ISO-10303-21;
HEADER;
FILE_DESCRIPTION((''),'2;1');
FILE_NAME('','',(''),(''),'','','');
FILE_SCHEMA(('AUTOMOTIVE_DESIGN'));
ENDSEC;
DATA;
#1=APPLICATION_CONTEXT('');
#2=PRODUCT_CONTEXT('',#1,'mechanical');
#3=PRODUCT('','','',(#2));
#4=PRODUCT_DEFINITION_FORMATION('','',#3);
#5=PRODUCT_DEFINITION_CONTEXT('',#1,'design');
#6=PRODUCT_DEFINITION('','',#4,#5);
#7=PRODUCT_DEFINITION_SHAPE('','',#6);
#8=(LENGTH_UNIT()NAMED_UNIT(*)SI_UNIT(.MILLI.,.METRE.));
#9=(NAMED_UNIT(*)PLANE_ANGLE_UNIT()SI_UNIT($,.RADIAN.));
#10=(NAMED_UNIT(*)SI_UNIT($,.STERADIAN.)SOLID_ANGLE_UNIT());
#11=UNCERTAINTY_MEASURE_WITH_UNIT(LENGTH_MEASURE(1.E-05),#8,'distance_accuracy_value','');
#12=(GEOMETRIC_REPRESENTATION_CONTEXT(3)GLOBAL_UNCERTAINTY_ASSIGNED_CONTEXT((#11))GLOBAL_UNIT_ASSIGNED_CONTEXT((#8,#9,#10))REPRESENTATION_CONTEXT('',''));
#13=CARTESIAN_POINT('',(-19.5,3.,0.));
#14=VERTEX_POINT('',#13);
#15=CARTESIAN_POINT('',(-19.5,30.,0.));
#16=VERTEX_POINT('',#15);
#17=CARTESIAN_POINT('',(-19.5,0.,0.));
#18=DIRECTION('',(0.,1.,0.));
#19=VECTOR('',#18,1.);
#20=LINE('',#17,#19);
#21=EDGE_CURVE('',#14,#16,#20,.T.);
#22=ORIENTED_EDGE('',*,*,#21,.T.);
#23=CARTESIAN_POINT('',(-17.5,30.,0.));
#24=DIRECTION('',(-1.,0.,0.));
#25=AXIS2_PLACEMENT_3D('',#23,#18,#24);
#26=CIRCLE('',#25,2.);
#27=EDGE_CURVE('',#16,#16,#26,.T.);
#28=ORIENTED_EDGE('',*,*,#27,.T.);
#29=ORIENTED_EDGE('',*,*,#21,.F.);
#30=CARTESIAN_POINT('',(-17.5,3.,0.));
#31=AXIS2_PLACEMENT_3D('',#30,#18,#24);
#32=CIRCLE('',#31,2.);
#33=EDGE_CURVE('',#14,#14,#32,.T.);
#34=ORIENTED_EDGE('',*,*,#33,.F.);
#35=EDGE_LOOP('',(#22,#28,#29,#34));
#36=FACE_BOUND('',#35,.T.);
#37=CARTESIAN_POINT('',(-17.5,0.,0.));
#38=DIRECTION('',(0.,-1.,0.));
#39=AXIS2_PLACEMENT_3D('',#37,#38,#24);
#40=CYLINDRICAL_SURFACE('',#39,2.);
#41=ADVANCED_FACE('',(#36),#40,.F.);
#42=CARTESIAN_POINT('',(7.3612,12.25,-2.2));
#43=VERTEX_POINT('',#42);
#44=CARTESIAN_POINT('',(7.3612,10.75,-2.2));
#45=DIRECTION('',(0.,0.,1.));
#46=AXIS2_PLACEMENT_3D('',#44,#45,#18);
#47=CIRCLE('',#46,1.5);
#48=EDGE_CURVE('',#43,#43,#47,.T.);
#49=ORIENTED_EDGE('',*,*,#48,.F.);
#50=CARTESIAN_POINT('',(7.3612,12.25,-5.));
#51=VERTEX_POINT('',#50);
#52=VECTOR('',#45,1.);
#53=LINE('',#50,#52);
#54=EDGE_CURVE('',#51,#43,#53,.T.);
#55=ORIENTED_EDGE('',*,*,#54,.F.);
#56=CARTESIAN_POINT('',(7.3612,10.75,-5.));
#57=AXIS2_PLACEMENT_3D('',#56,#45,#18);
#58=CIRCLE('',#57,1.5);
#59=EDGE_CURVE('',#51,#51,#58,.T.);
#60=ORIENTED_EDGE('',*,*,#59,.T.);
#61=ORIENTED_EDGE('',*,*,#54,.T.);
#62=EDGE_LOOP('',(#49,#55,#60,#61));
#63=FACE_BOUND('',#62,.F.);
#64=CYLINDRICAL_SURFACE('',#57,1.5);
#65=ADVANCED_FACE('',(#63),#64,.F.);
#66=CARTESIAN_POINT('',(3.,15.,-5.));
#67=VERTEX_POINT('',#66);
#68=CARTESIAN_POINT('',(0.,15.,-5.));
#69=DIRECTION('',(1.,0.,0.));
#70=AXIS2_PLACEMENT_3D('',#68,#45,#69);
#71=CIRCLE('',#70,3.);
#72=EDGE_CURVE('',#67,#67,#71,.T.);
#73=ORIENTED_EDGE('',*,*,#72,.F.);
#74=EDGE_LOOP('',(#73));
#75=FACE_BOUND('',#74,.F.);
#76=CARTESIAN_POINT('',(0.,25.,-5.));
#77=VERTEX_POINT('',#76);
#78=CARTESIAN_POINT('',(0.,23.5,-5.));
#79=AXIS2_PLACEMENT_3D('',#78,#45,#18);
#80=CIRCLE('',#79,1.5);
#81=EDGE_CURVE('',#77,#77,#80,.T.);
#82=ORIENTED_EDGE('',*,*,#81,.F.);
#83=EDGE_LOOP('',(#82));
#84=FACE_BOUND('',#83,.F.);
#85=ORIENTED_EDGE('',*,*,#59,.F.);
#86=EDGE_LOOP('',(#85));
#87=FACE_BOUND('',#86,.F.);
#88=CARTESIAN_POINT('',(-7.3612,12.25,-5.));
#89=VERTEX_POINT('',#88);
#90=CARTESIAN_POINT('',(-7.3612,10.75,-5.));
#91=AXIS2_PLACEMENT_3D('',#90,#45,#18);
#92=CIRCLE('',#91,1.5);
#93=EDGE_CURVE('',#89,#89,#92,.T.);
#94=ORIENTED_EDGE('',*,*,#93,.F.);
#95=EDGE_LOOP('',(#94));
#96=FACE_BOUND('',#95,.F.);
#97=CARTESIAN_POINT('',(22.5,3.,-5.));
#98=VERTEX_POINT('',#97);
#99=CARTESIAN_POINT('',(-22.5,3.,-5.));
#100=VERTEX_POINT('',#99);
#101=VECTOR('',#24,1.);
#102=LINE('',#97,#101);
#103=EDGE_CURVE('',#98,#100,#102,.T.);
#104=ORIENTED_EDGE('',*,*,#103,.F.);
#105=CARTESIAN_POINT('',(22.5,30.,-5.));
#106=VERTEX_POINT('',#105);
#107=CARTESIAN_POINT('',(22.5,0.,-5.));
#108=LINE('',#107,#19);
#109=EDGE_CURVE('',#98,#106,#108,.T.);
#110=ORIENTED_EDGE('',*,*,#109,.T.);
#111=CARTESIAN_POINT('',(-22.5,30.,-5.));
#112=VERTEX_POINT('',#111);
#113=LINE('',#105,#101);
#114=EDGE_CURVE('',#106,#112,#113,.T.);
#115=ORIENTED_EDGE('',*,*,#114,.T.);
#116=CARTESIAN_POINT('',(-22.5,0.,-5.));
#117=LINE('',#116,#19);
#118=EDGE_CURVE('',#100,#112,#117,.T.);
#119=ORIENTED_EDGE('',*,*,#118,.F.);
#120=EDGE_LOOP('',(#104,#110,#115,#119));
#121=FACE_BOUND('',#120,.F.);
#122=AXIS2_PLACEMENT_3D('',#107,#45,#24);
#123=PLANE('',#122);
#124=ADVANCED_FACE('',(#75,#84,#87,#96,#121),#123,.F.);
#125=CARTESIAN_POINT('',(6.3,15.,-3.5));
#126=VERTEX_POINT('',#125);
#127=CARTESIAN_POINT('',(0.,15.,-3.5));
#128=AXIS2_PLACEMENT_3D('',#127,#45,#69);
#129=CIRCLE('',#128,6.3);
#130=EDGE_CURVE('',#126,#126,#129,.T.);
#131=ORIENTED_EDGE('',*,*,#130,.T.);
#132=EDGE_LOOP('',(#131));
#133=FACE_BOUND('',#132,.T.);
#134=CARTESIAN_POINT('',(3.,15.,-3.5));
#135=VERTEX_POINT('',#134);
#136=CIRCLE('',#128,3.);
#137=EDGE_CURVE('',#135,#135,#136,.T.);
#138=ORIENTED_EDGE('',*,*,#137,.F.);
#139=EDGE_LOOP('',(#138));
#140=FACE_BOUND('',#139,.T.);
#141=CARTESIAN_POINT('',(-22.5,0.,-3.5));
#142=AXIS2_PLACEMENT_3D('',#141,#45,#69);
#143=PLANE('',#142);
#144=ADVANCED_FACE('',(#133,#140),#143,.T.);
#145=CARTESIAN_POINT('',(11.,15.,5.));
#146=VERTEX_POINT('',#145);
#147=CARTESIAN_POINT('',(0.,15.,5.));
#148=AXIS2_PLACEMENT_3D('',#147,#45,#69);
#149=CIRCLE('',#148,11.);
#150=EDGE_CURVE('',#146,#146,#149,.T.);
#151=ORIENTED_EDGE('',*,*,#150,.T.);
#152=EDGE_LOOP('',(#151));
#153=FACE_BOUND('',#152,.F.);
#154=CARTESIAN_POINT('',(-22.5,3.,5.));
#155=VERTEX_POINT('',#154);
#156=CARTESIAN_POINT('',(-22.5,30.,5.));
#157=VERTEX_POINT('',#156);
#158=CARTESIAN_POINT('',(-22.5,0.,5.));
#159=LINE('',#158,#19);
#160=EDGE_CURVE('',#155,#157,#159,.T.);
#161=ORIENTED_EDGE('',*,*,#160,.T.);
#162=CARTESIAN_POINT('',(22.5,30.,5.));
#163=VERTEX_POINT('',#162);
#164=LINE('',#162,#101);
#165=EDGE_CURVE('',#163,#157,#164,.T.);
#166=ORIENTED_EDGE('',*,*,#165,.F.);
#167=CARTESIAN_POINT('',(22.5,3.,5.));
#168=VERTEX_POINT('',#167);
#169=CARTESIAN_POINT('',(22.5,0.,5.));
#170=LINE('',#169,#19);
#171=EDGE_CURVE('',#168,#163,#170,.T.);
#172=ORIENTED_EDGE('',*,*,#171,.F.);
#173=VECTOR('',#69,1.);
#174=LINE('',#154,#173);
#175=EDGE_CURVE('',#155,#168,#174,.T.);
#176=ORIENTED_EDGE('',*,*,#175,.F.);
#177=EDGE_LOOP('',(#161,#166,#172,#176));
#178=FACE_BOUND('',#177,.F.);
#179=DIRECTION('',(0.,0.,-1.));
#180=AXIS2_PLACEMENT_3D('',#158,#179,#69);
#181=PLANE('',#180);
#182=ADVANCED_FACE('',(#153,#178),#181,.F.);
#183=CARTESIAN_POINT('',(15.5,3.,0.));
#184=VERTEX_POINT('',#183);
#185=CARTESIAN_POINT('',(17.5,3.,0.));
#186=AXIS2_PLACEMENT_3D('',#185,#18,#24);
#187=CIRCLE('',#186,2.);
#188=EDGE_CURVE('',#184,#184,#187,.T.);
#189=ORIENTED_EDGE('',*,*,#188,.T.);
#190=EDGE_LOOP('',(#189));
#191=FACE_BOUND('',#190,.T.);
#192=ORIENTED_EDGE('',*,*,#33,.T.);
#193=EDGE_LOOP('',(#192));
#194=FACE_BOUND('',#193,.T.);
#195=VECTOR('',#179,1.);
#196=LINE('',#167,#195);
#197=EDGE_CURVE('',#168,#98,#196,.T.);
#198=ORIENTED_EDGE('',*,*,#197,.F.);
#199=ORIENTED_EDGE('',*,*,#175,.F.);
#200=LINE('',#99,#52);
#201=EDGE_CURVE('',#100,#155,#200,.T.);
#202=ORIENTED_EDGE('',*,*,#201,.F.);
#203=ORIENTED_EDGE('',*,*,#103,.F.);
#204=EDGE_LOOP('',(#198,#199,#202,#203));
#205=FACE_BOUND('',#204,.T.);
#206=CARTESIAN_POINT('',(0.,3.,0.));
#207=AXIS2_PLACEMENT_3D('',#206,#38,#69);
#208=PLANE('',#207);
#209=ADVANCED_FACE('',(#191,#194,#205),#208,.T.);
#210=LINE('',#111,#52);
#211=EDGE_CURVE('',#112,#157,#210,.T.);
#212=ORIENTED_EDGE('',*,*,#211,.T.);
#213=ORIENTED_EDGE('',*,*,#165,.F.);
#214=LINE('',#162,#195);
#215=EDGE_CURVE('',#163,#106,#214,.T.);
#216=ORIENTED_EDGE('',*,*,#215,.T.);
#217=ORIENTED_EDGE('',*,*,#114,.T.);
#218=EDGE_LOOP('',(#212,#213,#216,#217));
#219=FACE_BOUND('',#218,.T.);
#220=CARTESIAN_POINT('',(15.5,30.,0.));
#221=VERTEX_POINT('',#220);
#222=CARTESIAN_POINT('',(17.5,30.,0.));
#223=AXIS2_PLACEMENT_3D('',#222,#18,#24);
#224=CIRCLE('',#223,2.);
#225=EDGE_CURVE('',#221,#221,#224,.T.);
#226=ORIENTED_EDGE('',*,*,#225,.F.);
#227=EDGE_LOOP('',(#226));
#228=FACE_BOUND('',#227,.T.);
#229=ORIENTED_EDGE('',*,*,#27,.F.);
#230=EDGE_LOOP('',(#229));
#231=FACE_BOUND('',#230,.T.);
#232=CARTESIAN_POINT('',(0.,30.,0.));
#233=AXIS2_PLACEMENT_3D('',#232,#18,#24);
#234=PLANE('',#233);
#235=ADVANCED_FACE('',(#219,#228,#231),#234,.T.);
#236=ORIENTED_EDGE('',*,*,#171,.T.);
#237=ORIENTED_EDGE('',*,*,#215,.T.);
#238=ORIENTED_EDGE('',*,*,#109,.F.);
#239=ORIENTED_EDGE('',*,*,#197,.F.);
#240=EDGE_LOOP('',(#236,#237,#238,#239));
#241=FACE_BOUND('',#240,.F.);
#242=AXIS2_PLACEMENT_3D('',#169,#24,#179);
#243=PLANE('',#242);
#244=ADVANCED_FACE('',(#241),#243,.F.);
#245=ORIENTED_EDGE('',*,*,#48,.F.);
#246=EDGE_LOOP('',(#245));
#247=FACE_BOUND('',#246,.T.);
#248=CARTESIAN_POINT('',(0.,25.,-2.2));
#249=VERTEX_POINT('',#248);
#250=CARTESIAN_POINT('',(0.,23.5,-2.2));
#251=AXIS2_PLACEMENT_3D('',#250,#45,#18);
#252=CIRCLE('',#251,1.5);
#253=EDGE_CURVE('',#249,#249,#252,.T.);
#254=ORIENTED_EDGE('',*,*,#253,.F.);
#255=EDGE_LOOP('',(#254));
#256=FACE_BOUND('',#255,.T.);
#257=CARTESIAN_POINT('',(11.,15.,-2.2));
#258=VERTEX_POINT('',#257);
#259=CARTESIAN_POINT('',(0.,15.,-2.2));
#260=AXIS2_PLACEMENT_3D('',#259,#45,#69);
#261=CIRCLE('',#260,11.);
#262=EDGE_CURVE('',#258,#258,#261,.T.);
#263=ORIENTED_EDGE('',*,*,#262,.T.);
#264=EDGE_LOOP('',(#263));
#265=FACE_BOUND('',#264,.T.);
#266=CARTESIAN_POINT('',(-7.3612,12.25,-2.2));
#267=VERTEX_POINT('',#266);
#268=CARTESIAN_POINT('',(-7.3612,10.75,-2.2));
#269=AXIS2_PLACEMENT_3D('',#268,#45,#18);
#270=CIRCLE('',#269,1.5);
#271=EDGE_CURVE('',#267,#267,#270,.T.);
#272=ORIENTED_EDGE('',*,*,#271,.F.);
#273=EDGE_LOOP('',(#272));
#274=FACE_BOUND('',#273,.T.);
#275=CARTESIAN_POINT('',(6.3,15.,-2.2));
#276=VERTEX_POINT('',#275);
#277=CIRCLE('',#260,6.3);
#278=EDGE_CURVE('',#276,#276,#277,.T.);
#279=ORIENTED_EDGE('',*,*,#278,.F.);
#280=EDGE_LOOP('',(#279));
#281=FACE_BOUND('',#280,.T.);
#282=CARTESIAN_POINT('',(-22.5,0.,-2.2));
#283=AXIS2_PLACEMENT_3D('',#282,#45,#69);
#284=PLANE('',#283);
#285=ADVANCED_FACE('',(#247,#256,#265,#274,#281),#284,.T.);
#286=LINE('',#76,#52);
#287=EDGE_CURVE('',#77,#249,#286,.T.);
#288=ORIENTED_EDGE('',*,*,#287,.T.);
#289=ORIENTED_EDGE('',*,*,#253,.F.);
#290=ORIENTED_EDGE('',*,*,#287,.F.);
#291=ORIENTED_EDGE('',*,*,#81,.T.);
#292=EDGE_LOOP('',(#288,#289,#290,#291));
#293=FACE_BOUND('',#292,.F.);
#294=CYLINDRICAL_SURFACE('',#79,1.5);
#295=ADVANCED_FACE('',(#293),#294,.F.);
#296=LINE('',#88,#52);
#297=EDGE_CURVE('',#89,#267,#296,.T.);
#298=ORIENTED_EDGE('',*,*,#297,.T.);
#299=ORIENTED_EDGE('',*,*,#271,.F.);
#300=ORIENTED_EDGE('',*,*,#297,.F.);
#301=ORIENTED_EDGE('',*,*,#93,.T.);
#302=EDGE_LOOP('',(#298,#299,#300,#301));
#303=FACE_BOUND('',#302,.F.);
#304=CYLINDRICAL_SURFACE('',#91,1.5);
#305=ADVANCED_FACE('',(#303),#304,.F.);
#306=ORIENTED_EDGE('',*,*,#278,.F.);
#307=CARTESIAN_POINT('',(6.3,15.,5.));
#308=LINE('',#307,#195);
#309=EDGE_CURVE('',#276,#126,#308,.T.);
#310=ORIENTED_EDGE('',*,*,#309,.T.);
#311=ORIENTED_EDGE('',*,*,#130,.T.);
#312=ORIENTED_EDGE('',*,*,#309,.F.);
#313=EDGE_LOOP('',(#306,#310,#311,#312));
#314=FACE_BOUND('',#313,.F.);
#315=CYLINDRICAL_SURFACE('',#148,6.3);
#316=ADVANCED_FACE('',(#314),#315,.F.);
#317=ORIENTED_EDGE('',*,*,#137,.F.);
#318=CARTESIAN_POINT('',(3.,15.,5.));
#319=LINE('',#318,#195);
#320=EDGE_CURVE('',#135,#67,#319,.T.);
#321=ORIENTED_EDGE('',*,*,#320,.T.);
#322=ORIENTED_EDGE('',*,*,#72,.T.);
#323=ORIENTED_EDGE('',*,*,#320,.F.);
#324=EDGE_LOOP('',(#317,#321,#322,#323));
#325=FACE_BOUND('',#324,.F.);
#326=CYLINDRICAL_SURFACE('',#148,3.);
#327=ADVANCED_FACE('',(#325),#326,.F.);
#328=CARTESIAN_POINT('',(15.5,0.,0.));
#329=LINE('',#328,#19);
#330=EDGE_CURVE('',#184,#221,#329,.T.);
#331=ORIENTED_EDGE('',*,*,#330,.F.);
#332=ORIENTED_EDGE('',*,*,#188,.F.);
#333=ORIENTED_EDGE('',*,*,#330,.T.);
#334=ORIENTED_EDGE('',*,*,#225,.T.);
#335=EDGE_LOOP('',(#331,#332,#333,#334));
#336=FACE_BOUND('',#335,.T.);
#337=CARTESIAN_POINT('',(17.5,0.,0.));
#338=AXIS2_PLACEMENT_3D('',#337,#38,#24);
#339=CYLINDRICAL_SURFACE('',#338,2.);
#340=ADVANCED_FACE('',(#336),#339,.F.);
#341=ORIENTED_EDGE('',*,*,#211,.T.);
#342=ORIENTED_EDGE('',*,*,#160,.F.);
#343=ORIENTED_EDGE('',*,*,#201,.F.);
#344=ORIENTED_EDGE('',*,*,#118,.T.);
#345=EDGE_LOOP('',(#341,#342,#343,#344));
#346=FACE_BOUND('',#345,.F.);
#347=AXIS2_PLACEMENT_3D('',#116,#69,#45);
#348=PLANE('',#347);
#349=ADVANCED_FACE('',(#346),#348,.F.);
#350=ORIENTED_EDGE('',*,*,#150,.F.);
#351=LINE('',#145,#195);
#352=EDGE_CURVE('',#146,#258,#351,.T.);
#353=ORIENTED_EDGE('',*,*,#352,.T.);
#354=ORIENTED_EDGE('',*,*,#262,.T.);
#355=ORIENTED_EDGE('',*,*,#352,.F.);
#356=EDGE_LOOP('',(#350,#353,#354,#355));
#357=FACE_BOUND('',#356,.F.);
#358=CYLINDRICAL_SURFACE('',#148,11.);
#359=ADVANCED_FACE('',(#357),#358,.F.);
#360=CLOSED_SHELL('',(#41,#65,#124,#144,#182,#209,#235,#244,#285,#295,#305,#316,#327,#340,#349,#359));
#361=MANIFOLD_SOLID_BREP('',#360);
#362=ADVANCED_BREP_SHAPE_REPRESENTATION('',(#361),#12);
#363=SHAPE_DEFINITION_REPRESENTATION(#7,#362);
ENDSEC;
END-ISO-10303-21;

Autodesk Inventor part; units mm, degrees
ref_plane "YZ Plane" through (0, 0, 0) normal (1, 0, 0) x (0, 1, 0)
ref_plane "XZ Plane" through (0, 0, 0) normal (0, 1, 0) x (-1, 0, 0)
ref_plane "XY Plane" through (0, 0, 0) normal (0, 0, 1) x (1, 0, 0)
sketch "Sketch1" plane through (0, 0, 0) normal (0, 1, 0) x (-1, 0, 0)
  line L0 (22.5, 5) -> (-22.5, 5)
  line L1 (-22.5, 5) -> (-22.5, -5)
  line L2 (-22.5, -5) -> (22.5, -5)
  line L3 (22.5, -5) -> (22.5, 5)
  line L4 (22.5, 5) -> (-22.5, -5) construction
  line L5 (-22.5, 5) -> (22.5, -5) construction
  line L6 (0, 0) -> (17.5, 0) construction
  line L7 (0, 0) -> (-17.5, 0) construction
  circle A0 centre (17.5, 0) radius 2
  circle A1 centre (-17.5, 0) radius 2
  line L8 (22.5, 5) -> (17.5, 5)
  line L9 (17.5, 5) -> (17.5, 0) construction
  dimension "d0" = 45
  dimension "d1" = 10
  dimension "d2" = 17.5
  dimension "d3" = 17.5
  dimension "d4" = 4
  dimension "d5" = 4
extrude "Extrusion1" add sketch "Sketch1" along normal blind 30
sketch "Sketch2" plane through (0, 0, 0) normal (0, -1, 0) x (1, 0, 0)
  line L0 (-22.5, -5) -> (-22.5, 5) projected
  line L1 (22.5, -5) -> (-22.5, -5) projected
  line L2 (-22.5, 5) -> (22.5, 5)
  line L3 (22.5, 5) -> (22.5, -5)
  line L4 (22.5, -5) -> (-22.5, -5)
  line L5 (-22.5, -5) -> (-22.5, 5)
  circle A0 centre (-17.5, 0) radius 2 projected
  circle A1 centre (-17.5, 0) radius 1.6
  circle A2 centre (17.5, 0) radius 2 projected
  circle A3 centre (17.5, 0) radius 1.6
sketch "Sketch3" plane through (-22.5, 0, 5) normal (0, 0, 1) x (1, 0, 0)
  line L0 (45, 30) -> (0, 30) construction
  line L1 (0, 30) -> (45, 0) construction
  line L2 (45, 0) -> (0, 0) construction
  line L3 (45, 30) -> (0, 0) construction
  circle A0 centre (22.5, 15) radius 3
  circle A1 centre (22.5, 15) radius 7.5 construction
  circle A2 centre (22.5, 22.5) radius 1.1
  circle A3 centre (16.0048, 11.25) radius 1.1
  circle A4 centre (28.9952, 11.25) radius 1.1
  point P0 (22.5, 0)
  dimension "d9" = 15
  dimension "d8" = 6
  dimension "d10" = 2.2
  dimension "d13" = 360
extrude "Extrusion2" cut sketch "Sketch3" against normal blind 30 contours A0
sketch "Sketch4" plane through (-22.5, 0, 5) normal (0, 0, 1) x (1, 0, 0)
  line L0 (45, 0) -> (45, 30) construction
  line L1 (0, 30) -> (45, 0) construction
  line L2 (45, 30) -> (0, 30) construction
  line L3 (0, 0) -> (45, 30) construction
  circle A0 centre (22.5, 15) radius 6.3
  point P0 (22.5, 0)
  dimension "d17" = 12.6
extrude "Extrusion3" cut sketch "Sketch4" against normal blind 8.5
sketch "Sketch5" plane through (-22.5, 0, 5) normal (0, 0, 1) x (1, 0, 0)
  line L0 (0, 0) -> (0, 30) construction
  line L1 (0, 0) -> (45, 0) construction
  line L2 (0, 30) -> (45, 0) construction
  line L3 (0, 30) -> (45, 30) construction
  line L4 (45, 30) -> (0, 0) construction
  circle A0 centre (22.5, 15) radius 11
  point P0 (22.5, 0)
  dimension "d20" = 22
extrude "Extrusion4" cut sketch "Sketch5" against normal blind 7.2
extrude "Extrusion5" cut sketch "Sketch2" against normal blind 3 contours L0 L2 L3 L1
sketch "Sketch6" plane through (22.5, 30, -5) normal (0, 0, -1) x (-1, 0, 0)
  circle A0 centre (22.5, -15) radius 3 projected
  circle A1 centre (22.5, -15) radius 8.5 construction
  point P0 (22.5, -30)
  point P1 (22.5, -6.5)
  point P2 (15.1388, -19.25)
  point P3 (29.8612, -19.25)
  dimension "d25" = 17
  dimension "d28" = 360
hole "Bohrung2" at (0, 15, -5) at (7.3612, 10.75, -5) at (-7.3612, 10.75, -5) at (0, 23.5, -5) direction (0, 0, 1) diameter 3 end through all
properties part number "MotorBracket"
